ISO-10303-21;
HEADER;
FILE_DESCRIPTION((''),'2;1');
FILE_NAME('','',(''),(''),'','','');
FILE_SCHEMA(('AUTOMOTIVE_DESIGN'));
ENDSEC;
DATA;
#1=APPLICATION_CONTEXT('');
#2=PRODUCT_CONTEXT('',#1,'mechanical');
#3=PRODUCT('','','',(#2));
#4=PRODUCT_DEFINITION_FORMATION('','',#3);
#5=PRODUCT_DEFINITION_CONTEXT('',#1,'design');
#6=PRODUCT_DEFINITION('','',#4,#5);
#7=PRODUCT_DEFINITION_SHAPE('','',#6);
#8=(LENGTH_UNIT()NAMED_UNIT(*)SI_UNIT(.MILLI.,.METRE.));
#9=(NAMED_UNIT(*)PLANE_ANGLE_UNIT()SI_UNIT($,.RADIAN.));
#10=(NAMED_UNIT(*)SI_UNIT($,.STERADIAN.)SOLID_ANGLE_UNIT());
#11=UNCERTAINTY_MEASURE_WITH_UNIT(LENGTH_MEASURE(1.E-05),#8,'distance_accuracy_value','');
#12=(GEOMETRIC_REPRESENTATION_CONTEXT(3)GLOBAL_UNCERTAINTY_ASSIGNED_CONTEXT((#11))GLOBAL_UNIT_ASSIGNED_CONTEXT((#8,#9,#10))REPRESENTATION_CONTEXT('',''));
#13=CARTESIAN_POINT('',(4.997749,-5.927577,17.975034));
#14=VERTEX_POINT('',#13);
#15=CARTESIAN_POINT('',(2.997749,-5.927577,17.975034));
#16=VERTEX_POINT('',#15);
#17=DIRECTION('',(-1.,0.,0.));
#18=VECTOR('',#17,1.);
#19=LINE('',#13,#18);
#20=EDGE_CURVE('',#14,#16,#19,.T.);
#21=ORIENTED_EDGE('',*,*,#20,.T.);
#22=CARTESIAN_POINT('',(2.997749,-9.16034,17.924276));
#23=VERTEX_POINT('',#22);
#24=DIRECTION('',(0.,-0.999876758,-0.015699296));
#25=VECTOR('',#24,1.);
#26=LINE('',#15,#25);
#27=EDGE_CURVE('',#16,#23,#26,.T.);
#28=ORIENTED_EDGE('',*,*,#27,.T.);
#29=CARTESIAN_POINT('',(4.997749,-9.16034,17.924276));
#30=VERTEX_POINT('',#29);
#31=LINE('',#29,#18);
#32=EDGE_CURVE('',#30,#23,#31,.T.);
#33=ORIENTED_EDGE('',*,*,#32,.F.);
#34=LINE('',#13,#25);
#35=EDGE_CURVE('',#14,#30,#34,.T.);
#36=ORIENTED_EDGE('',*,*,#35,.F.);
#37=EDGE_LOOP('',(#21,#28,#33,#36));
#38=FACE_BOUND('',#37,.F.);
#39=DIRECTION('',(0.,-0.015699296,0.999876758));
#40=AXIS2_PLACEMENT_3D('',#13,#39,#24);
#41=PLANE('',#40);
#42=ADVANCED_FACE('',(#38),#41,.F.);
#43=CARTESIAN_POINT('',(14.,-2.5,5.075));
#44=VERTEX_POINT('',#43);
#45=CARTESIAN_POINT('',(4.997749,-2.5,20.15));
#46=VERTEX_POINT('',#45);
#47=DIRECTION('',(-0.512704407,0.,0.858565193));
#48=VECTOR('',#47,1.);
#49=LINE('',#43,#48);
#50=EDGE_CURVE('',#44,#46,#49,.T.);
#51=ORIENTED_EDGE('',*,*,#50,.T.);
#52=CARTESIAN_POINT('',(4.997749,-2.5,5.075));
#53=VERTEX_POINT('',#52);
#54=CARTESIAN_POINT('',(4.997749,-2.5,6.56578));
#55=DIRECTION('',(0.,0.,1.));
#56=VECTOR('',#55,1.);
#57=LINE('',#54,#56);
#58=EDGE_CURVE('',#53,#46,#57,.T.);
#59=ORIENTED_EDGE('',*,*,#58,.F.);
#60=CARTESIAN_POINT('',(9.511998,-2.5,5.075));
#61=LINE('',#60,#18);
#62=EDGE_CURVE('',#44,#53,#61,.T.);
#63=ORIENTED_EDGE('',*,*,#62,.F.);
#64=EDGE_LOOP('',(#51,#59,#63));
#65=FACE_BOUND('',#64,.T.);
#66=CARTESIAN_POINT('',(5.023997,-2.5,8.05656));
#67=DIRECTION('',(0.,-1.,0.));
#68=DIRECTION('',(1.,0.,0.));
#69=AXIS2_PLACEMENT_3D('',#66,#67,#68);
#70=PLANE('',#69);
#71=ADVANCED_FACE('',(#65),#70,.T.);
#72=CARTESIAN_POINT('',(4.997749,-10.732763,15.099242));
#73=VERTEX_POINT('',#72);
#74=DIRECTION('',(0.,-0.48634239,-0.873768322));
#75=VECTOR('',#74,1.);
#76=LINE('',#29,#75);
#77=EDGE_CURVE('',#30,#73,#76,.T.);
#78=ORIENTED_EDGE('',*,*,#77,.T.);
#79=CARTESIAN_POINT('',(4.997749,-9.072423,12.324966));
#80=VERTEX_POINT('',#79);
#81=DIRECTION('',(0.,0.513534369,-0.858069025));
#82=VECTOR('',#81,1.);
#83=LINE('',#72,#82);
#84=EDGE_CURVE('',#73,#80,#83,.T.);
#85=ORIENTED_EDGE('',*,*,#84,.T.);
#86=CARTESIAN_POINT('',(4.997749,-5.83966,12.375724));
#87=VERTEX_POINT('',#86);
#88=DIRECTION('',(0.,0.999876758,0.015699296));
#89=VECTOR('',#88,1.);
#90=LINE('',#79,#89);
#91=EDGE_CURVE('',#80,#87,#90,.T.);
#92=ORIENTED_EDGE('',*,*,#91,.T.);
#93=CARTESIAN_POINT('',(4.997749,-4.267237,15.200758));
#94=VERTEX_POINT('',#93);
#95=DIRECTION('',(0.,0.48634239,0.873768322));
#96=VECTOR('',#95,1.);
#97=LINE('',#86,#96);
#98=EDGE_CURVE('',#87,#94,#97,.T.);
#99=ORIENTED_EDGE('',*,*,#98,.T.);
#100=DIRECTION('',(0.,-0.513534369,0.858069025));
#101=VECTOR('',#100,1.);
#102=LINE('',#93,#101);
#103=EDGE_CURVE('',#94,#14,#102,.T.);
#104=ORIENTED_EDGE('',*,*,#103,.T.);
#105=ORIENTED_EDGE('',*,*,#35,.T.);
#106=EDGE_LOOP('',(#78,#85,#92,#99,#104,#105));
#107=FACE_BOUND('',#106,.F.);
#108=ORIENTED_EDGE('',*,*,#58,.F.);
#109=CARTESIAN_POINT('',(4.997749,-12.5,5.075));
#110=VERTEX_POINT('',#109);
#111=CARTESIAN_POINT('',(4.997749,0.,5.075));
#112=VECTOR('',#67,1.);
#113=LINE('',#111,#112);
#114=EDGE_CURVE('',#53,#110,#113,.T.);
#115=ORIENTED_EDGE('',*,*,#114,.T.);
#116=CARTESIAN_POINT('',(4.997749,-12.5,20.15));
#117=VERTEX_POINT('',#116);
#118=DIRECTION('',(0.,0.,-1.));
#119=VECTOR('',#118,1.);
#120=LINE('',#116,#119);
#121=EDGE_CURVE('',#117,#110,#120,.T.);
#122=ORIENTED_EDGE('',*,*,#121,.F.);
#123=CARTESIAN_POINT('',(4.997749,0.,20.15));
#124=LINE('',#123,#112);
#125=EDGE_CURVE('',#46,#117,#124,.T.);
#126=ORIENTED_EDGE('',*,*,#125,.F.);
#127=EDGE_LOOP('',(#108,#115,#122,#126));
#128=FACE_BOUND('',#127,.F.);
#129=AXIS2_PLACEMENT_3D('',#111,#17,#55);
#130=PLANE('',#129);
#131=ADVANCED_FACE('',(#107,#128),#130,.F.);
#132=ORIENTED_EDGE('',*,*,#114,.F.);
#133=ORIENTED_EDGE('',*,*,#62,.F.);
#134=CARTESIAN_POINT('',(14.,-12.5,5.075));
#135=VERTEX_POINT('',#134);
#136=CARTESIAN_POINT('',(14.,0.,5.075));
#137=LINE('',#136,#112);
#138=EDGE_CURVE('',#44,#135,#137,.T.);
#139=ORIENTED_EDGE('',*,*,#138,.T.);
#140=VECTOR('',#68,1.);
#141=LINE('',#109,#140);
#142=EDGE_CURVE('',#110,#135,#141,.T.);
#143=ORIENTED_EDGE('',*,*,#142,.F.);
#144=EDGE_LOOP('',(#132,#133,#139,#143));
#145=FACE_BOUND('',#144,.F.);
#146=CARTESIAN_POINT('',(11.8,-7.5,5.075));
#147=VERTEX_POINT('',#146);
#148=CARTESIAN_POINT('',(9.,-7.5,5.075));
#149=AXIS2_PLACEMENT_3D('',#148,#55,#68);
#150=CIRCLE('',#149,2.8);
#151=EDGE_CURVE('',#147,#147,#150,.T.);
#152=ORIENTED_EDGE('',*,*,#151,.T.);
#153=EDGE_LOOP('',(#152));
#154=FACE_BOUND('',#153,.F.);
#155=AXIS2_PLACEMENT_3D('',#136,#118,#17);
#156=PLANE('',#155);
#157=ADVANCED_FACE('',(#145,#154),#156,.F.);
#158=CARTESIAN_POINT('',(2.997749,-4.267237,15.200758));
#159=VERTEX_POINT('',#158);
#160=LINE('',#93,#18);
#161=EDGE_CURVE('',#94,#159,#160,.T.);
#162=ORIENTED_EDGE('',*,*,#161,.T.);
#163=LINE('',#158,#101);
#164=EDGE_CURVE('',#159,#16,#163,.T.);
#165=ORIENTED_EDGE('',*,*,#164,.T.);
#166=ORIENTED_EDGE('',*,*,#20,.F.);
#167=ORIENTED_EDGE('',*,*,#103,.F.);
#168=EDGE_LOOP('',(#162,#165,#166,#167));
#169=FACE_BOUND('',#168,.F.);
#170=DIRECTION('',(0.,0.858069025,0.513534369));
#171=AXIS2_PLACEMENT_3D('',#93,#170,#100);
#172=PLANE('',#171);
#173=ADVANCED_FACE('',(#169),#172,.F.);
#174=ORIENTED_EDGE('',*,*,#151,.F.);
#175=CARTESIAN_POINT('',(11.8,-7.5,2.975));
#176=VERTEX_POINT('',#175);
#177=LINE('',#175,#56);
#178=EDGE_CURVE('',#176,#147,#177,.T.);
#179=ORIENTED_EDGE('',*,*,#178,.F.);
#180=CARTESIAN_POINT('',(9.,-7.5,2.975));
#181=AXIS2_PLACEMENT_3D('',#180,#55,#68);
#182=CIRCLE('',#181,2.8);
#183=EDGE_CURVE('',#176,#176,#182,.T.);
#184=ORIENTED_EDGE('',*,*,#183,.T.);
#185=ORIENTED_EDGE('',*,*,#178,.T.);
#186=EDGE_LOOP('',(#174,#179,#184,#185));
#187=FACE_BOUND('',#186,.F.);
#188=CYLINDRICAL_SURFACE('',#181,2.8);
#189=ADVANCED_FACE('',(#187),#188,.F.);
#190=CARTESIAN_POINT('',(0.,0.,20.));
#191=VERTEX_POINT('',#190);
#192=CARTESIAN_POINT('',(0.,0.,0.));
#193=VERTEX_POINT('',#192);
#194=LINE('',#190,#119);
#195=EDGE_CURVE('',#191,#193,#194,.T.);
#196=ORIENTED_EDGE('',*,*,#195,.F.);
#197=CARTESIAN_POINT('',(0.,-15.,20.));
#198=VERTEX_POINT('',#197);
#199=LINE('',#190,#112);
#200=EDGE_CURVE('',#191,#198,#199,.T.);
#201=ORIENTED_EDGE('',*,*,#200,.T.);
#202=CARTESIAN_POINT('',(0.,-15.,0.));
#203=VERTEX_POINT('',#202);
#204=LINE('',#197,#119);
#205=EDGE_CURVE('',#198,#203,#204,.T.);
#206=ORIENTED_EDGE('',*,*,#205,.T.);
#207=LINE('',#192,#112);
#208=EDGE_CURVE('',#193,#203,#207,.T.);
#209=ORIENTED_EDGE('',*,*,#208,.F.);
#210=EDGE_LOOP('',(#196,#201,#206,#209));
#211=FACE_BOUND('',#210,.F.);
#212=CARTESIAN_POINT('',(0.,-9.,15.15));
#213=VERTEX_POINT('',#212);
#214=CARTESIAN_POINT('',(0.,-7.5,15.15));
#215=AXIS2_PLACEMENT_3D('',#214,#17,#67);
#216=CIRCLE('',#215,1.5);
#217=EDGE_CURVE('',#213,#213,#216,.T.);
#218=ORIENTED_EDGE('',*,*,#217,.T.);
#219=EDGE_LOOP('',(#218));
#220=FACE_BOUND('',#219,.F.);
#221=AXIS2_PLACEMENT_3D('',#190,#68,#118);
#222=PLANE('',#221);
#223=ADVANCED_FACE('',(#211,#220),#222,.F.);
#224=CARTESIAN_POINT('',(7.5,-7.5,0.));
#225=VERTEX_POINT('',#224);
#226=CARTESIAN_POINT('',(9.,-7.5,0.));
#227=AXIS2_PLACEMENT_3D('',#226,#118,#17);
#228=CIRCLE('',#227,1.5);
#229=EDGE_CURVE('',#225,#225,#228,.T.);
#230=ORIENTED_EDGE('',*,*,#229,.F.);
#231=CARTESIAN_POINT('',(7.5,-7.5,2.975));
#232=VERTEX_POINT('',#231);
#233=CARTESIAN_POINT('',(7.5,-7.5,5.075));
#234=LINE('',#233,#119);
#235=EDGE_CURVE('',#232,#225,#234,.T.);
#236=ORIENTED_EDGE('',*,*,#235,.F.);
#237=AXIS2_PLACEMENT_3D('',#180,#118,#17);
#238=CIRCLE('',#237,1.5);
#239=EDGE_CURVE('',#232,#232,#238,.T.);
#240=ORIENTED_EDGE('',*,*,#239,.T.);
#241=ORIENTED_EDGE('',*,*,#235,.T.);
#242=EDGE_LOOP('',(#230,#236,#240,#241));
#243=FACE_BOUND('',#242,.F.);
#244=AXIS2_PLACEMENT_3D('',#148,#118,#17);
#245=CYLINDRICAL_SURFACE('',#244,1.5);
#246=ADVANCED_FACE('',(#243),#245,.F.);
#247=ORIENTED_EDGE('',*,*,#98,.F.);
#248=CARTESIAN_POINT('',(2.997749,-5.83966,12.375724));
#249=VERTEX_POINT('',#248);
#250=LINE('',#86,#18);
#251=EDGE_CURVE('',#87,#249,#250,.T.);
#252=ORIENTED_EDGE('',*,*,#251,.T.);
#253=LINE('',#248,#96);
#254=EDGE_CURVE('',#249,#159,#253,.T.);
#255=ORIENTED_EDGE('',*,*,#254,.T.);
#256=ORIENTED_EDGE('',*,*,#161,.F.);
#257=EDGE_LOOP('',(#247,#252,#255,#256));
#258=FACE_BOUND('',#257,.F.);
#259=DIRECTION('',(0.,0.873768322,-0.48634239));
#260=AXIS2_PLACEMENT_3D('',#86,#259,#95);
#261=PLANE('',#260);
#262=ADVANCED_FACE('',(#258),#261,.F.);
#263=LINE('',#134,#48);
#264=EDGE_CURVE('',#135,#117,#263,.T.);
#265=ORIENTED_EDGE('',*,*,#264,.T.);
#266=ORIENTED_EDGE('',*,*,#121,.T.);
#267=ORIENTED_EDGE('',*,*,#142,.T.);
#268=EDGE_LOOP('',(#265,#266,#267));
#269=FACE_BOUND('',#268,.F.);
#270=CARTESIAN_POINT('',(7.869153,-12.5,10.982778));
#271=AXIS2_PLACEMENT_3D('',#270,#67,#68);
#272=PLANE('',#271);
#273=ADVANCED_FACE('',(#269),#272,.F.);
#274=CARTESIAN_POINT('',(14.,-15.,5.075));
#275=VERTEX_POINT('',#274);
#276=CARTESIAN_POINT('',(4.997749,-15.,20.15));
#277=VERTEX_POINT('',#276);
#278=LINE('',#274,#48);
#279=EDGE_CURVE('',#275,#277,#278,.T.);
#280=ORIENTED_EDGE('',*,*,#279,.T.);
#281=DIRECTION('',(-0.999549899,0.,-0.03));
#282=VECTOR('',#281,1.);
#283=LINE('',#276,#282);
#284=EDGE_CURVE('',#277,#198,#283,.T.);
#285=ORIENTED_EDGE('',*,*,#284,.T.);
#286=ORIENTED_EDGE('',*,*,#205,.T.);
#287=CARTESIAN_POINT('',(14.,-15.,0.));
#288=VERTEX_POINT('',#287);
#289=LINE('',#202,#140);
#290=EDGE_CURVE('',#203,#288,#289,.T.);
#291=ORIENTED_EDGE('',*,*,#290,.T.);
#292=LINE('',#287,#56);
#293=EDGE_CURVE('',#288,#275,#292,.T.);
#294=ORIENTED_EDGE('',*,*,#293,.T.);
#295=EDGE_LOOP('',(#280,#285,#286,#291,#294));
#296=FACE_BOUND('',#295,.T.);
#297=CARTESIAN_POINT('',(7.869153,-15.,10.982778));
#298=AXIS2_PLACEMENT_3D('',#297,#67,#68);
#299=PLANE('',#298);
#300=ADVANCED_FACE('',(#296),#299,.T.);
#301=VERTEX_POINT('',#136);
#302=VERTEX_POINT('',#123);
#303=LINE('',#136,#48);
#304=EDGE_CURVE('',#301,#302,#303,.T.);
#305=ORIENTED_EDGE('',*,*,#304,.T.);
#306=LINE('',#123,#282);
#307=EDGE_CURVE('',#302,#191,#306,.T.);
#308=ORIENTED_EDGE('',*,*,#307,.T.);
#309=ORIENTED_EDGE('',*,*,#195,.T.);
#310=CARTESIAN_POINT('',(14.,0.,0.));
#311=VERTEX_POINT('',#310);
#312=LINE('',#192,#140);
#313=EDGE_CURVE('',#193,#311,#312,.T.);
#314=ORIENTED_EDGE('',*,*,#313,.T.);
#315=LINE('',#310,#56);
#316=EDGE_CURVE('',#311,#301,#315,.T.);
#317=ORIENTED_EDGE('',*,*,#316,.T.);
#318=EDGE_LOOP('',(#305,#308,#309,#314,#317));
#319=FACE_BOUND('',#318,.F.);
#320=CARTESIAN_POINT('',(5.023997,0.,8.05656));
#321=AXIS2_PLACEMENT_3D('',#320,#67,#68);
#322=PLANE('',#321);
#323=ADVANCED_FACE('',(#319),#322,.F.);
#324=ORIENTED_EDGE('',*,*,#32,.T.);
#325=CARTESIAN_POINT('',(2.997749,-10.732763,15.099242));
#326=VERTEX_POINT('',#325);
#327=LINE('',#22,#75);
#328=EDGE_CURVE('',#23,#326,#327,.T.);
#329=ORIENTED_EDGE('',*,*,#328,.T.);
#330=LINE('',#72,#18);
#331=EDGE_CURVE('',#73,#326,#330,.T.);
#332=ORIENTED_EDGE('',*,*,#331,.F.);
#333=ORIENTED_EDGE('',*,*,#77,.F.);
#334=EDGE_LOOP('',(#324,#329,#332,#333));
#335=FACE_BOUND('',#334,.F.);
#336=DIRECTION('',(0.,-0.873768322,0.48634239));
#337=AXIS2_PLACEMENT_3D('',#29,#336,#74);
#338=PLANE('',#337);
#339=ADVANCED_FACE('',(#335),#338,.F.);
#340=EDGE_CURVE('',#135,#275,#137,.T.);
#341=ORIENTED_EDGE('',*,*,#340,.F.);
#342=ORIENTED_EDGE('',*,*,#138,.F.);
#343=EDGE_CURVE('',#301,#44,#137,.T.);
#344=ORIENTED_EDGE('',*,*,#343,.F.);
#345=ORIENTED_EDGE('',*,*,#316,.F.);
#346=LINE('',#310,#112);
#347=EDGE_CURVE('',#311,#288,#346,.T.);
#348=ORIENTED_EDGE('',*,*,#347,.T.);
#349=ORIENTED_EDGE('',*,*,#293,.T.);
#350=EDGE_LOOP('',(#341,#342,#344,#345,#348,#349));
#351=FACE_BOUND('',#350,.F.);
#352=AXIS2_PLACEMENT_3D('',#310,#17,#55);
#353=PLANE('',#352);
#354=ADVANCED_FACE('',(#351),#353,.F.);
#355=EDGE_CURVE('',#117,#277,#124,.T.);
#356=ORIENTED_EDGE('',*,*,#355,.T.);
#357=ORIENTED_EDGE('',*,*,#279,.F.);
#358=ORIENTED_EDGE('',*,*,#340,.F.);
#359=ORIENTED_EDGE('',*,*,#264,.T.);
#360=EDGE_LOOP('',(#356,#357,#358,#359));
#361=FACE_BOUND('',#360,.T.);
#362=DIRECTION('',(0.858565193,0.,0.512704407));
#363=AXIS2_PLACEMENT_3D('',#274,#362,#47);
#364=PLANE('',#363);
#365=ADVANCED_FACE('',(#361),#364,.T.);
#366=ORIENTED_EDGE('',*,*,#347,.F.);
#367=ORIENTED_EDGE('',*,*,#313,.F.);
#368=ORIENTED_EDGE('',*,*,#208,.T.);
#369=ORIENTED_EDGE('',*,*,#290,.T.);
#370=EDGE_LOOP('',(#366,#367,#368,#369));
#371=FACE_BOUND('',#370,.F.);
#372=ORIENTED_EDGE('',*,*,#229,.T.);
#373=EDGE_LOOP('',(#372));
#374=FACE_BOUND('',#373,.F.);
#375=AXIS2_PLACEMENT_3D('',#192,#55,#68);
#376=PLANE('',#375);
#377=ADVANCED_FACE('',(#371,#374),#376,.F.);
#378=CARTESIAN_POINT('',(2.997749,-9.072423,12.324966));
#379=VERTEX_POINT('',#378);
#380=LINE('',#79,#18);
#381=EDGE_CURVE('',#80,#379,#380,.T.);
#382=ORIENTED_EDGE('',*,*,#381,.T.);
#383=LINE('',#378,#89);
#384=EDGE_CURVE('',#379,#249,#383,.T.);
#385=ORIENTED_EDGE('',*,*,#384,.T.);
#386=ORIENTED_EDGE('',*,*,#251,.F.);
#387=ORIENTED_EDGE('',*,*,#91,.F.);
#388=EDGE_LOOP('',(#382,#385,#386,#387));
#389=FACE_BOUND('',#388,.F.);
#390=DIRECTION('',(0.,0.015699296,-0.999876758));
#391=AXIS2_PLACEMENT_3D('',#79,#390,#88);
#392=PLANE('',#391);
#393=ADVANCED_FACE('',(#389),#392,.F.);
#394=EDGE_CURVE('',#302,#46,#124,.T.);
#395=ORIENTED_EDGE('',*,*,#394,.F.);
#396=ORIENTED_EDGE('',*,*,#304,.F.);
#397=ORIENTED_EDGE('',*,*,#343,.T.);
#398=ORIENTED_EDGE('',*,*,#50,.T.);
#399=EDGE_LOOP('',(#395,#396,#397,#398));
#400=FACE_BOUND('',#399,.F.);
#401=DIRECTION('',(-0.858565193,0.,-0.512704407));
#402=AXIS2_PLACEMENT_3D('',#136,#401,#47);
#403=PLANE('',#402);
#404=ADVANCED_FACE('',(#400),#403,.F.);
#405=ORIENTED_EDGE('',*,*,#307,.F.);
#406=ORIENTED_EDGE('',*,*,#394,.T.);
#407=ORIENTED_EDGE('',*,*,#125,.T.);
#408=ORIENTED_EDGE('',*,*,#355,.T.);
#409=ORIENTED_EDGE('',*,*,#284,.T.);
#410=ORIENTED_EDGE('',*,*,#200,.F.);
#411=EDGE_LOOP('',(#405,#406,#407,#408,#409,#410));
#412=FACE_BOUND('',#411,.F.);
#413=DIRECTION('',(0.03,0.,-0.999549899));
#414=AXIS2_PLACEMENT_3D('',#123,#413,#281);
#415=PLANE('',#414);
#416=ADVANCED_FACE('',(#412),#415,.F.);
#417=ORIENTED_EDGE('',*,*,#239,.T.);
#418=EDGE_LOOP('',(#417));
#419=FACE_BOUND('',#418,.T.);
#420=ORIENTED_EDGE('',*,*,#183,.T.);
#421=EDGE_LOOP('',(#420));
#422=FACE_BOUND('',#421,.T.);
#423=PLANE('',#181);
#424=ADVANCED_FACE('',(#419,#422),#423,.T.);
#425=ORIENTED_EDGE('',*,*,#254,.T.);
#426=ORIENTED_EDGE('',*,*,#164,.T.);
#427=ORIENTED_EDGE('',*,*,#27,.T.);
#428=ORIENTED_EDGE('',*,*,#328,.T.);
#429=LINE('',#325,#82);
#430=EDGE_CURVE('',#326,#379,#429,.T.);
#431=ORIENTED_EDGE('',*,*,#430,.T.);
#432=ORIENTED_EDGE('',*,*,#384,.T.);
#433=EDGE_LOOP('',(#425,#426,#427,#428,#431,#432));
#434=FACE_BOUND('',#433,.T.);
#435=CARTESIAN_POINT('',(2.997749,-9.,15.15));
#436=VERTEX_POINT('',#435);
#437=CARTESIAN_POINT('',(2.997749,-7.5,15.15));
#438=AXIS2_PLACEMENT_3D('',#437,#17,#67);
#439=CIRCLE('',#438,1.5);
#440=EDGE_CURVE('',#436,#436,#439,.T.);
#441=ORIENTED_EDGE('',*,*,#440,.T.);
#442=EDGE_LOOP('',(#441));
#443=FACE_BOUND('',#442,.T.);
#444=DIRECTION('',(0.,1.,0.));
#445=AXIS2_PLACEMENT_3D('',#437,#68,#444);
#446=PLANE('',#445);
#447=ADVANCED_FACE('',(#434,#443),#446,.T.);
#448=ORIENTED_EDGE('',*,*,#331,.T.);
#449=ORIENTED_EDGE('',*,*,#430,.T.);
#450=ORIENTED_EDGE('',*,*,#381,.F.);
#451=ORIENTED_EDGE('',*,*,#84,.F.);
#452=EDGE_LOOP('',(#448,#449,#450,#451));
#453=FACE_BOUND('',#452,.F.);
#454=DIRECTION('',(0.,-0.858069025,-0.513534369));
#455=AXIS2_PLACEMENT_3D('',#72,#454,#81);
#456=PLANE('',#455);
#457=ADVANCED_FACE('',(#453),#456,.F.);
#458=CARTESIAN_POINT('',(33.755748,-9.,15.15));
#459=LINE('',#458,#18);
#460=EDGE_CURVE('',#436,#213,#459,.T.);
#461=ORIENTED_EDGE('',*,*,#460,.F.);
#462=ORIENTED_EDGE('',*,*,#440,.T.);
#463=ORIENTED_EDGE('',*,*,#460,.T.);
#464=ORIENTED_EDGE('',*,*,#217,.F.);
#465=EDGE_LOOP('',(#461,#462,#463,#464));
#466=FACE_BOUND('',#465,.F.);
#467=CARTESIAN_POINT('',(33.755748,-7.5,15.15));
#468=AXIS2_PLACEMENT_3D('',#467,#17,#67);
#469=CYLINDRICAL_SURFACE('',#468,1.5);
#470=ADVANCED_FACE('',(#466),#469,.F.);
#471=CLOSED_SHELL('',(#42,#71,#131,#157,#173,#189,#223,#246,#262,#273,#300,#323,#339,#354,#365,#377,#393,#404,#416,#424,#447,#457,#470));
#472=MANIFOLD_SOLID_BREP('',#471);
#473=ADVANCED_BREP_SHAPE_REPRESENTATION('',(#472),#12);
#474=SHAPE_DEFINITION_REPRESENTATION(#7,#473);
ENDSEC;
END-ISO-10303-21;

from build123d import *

# Parameters (mm, degrees)
F1_DEPTH       = 15
F2_DEPTH       = 2.5
F5_DEPTH       = 2.5
F7_D           = 3
F7_CBORE_D     = 5.6
F7_CBORE_DEPTH = 2.1
F9_D           = 3
F10_DEPTH      = 2


with BuildPart() as f1:
    # F0 (on Front) → F1 (new body)
    with BuildSketch(Plane.XZ):
        Polygon((4.9977494935, 20.15), (0, 20), (0, 0), (14, 0), (14, 5.075), (4.9977494935, 5.075), align=None)
    extrude(amount=F1_DEPTH)

    # F0 (on Front) → F2 (join)
    with BuildSketch(Plane.XZ):
        Polygon((4.9977494935, 20.15), (0, 20), (0, 0), (14, 0), (14, 5.075), (4.9977494935, 5.075), align=None)
        Polygon((14, 5.075), (4.9977494935, 20.15), (4.9977494935, 5.075), align=None)
    extrude(amount=F2_DEPTH)

    # F4 (on offset) → F5 (join)
    with BuildSketch(Plane.XZ.offset(15)):
        Polygon((14, 5.075), (4.9977494935, 20.15), (4.9977494935, 5.075), align=None)
    extrude(amount=-F5_DEPTH)

    # F7 (through all)
    with Locations(Plane.XY.offset(5.075)):
        with Locations((9, -7.5)):
            CounterBoreHole(F7_D / 2, F7_CBORE_D / 2, F7_CBORE_DEPTH)

    # F9 (through all)
    with Locations(Plane.YZ.offset(4.9977494935)):
        with Locations((-7.5, 15.15)):
            Hole(F9_D / 2)

    # F8 (on face) → F10 (cut)
    with BuildSketch(Plane.YZ.offset(4.9977494935)):
        Polygon((-9.1603395536, 17.9242757433), (-10.7327630476, 15.0992416393), (-9.072423494, 12.324965896), (-5.8396604464, 12.3757242567), (-4.2672369524, 15.2007583607), (-5.927576506, 17.975034104), align=None)
    extrude(amount=-F10_DEPTH, mode=Mode.SUBTRACT)


solid = f1.part
